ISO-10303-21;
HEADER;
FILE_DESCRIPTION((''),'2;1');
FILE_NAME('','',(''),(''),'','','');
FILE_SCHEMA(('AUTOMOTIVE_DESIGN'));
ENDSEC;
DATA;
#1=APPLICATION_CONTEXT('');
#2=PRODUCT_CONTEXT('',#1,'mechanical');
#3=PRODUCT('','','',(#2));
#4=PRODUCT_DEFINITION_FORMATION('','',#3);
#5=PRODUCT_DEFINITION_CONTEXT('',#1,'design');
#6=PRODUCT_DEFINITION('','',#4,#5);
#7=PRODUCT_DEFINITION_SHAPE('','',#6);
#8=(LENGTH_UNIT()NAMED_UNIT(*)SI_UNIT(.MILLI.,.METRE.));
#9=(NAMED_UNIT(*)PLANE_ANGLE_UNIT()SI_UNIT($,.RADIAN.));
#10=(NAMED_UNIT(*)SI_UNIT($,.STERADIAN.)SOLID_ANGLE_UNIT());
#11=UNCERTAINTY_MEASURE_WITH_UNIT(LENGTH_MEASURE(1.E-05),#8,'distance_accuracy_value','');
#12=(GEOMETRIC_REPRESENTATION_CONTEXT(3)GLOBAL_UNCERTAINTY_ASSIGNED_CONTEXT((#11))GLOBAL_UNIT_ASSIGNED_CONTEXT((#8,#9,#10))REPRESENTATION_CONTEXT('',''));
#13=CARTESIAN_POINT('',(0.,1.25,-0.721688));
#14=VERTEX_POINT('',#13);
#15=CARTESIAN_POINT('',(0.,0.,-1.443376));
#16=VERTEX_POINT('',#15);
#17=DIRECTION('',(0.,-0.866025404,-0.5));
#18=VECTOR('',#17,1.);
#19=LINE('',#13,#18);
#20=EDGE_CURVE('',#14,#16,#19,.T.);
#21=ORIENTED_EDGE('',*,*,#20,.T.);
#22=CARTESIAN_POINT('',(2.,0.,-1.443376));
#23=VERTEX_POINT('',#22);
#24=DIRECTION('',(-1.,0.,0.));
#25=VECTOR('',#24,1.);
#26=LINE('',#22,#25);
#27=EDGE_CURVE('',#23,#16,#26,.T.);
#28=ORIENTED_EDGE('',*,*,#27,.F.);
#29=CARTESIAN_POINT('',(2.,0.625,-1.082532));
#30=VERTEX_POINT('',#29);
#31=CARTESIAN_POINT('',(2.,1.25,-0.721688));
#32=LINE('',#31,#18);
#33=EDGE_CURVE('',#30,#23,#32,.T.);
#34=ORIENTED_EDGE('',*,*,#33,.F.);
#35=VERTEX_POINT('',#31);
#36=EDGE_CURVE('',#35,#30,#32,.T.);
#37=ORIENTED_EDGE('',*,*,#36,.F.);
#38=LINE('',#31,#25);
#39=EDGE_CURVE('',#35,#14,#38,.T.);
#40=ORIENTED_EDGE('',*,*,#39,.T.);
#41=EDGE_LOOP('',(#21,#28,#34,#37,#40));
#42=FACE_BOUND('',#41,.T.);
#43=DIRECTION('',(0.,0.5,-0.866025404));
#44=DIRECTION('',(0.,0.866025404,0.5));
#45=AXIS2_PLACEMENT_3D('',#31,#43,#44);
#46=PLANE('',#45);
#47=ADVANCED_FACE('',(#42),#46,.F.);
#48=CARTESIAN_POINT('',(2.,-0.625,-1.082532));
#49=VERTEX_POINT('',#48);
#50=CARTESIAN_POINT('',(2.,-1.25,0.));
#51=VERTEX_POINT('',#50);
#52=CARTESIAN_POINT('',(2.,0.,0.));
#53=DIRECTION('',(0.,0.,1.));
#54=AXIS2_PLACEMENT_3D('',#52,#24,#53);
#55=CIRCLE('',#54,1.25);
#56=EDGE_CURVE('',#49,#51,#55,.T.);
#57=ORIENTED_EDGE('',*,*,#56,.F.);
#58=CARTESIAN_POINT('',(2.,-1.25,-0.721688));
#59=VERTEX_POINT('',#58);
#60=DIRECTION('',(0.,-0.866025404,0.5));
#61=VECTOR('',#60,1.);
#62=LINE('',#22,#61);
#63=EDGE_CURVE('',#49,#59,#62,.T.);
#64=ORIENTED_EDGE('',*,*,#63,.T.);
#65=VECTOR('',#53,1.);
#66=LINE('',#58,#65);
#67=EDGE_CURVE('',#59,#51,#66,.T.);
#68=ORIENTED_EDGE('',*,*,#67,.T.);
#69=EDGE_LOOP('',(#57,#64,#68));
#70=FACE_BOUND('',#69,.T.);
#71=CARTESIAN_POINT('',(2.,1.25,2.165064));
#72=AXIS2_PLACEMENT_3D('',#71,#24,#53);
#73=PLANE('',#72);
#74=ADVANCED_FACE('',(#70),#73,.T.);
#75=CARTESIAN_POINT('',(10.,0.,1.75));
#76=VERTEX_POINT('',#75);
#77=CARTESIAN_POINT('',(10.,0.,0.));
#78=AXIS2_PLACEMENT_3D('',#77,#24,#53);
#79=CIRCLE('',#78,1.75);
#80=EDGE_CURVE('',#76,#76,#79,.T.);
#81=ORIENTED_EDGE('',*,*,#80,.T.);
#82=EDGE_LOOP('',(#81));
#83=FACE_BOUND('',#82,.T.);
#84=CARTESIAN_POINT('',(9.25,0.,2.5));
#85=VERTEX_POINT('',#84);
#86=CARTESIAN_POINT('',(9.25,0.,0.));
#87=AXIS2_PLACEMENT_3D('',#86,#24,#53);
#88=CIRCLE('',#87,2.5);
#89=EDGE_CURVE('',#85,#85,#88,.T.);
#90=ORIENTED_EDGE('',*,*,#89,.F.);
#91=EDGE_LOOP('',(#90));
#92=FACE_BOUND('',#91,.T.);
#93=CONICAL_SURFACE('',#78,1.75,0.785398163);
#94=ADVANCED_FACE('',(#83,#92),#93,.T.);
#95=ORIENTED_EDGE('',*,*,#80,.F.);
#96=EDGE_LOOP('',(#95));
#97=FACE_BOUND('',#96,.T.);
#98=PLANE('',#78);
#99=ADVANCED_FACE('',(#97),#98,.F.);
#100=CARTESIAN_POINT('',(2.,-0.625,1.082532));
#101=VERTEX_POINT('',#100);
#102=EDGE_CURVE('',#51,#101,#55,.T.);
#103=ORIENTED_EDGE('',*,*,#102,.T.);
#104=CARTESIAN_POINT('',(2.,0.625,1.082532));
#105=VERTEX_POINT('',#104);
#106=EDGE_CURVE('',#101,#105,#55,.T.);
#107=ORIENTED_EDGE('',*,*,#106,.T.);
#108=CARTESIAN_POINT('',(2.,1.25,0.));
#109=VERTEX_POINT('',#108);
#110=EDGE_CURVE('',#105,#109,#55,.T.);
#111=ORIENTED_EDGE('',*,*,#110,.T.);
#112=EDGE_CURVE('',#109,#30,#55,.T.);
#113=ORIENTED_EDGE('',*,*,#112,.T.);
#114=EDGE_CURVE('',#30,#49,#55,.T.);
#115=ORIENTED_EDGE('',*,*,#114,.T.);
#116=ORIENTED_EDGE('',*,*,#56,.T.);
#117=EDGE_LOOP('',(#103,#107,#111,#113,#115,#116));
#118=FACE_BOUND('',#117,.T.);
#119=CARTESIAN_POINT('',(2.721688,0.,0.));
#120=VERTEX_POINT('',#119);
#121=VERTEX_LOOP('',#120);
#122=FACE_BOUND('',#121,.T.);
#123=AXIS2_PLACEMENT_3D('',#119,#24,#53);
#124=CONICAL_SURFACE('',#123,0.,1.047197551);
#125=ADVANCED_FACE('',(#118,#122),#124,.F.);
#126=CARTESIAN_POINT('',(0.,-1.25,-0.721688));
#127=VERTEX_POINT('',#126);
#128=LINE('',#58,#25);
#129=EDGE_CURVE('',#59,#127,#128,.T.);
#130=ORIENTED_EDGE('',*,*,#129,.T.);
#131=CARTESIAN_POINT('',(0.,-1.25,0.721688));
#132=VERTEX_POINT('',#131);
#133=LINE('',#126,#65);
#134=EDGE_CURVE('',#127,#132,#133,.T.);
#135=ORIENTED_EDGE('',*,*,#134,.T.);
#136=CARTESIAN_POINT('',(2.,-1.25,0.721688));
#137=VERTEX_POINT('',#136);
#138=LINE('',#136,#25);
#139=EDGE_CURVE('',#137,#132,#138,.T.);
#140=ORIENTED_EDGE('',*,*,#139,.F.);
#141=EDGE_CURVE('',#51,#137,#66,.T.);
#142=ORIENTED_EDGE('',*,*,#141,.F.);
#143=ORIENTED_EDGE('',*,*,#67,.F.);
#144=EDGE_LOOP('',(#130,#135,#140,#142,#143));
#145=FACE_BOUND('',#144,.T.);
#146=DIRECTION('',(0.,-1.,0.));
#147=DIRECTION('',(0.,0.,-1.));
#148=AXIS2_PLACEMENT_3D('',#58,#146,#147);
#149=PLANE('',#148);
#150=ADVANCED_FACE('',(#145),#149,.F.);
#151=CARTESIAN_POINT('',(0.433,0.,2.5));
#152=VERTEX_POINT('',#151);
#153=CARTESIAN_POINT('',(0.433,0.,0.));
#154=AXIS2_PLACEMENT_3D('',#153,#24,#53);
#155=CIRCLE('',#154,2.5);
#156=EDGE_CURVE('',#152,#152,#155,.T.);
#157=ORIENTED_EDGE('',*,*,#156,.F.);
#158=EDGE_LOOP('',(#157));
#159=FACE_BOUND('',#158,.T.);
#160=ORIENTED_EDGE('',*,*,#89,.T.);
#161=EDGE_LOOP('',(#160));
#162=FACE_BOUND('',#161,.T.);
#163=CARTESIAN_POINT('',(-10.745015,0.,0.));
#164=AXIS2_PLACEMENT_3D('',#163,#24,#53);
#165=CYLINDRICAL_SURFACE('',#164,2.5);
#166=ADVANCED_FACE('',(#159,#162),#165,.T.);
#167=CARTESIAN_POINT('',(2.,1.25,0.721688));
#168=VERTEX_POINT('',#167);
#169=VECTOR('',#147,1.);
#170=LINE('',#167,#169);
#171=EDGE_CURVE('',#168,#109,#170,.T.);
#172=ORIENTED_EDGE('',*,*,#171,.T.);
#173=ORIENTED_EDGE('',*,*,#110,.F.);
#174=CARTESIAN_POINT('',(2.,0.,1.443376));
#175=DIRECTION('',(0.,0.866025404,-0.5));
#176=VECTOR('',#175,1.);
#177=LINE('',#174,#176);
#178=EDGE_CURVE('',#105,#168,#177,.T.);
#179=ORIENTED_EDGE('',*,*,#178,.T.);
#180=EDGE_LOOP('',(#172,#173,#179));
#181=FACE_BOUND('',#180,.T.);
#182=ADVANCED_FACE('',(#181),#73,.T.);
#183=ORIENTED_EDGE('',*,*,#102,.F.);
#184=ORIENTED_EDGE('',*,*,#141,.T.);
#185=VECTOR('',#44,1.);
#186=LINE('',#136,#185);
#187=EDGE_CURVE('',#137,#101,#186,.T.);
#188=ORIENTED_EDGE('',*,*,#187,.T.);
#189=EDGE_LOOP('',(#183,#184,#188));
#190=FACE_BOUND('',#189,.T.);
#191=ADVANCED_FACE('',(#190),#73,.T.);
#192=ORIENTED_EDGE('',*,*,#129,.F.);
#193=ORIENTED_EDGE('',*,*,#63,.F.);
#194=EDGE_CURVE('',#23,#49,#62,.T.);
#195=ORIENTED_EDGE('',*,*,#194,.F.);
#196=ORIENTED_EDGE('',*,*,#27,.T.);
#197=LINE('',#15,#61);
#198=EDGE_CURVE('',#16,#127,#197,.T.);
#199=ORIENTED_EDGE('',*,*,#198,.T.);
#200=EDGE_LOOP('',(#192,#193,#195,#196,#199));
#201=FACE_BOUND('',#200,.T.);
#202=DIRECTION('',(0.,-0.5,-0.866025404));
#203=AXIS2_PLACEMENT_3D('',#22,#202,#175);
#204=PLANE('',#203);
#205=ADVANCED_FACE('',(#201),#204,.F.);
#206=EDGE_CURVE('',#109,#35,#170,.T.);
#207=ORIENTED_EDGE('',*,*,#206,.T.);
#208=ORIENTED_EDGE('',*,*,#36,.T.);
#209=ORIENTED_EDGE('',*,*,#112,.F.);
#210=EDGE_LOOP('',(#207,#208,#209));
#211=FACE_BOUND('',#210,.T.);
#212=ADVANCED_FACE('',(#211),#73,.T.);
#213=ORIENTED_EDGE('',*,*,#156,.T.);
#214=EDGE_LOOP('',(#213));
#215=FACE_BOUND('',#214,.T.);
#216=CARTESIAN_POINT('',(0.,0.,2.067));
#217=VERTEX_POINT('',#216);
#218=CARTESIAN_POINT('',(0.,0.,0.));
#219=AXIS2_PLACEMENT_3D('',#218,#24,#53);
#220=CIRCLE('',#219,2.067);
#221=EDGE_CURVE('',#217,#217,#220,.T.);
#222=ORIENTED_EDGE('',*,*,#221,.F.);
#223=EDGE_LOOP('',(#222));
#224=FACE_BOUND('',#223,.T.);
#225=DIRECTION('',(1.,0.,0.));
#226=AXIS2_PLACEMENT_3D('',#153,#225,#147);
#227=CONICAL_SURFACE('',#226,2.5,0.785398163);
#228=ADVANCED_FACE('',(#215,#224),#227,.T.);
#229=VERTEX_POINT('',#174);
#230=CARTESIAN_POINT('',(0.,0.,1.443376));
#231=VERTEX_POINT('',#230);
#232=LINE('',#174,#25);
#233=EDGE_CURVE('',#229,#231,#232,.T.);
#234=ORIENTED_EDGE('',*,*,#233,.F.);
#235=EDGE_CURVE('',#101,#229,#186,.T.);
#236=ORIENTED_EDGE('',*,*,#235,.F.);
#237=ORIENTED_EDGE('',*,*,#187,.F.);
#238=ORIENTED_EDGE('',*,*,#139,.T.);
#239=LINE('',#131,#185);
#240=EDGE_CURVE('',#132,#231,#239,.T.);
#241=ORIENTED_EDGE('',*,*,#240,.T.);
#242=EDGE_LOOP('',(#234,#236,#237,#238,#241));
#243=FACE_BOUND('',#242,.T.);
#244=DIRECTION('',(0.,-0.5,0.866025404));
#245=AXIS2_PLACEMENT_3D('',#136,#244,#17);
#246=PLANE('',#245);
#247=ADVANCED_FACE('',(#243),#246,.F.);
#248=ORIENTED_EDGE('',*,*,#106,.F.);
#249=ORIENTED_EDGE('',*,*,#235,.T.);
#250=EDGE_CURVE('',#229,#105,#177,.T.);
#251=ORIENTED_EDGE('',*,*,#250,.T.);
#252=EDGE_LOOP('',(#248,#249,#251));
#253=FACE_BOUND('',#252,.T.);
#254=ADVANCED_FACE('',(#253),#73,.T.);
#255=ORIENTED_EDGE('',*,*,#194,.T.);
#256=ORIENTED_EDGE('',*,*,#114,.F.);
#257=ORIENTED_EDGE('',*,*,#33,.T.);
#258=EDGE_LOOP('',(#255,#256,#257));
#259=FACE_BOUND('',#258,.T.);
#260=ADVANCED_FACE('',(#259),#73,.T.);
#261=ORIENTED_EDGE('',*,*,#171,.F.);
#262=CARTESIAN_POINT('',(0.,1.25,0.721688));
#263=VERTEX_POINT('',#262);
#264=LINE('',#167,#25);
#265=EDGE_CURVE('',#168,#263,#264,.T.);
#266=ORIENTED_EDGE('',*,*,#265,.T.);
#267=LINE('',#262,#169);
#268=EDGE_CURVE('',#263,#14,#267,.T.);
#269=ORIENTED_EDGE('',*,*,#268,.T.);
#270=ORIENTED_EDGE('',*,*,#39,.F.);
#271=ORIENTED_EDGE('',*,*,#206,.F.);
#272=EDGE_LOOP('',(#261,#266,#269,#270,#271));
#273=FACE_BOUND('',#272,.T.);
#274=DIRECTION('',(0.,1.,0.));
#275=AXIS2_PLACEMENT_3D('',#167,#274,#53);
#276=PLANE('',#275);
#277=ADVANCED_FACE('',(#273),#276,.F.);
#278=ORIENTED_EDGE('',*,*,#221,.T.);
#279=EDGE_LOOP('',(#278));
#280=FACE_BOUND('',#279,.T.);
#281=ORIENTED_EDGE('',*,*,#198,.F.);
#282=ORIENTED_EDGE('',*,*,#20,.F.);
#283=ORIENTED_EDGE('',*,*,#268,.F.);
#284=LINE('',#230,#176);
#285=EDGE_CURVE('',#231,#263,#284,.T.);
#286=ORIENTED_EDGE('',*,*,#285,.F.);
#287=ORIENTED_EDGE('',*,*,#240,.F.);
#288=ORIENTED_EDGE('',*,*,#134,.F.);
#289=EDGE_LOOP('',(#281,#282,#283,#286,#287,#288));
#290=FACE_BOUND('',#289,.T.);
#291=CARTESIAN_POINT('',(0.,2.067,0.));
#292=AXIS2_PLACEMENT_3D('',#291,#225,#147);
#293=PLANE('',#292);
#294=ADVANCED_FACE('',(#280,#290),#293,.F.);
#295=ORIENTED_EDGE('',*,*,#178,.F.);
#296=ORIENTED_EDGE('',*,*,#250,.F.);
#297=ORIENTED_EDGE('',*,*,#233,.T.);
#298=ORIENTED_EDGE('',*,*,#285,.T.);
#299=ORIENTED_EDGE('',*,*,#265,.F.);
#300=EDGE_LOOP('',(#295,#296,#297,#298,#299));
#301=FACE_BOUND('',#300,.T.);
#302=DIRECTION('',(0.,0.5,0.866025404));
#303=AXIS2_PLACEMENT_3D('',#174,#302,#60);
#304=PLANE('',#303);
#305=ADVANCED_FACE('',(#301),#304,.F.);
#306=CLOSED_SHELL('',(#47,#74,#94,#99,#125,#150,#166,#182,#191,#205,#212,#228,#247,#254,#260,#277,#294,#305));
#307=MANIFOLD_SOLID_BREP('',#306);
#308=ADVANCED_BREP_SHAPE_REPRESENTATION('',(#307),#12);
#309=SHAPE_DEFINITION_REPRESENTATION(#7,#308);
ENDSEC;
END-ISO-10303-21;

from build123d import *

# Parameters (mm, degrees)
HEXAGONSOCKET_DEPTH = 2


with BuildPart() as part:
    # Sketch1 → Base (revolve)
    with BuildSketch(Plane.XY, mode=Mode.PRIVATE) as base_sk:
        Polygon((0, 0), (10, 0), (10, 1.75), (9.25, 2.5), (0.433, 2.5), (0, 2.067), align=None)
    revolve(base_sk.sketch.rotate(Axis((-10.745014543, 0, 0), (1, 0, 0)), 90), axis=Axis((-10.745014543, 0, 0), (1, 0, 0)))

    # Sketch2 → HexagonSocket (cut)
    with BuildSketch(Plane(origin=(0, -0.021932325, 0.010138848), x_dir=(0, 0, 1), z_dir=(-1, 0, 0))):
        Polygon((1.433236825, 0.021932325), (0.711548988, 1.271932325), (-0.731826685, 1.271932325), (-1.453514521, 0.021932325), (-0.731826685, -1.228067675), (0.711548988, -1.228067675), align=None)
    extrude(amount=-HEXAGONSOCKET_DEPTH, mode=Mode.SUBTRACT)

    # Sketch3 → Cut-Revolve1 (revolve, cut)
    with BuildSketch(Plane.XY, mode=Mode.PRIVATE) as cut_revolve1_sk:
        Polygon((2, 1.25), (2.721687837, 0), (2, 0), align=None)
    revolve(cut_revolve1_sk.sketch.rotate(Axis((-3.144113667, 0, 0), (1, 0, 0)), 90), axis=Axis((-3.144113667, 0, 0), (1, 0, 0)), mode=Mode.SUBTRACT)


solid = part.part
